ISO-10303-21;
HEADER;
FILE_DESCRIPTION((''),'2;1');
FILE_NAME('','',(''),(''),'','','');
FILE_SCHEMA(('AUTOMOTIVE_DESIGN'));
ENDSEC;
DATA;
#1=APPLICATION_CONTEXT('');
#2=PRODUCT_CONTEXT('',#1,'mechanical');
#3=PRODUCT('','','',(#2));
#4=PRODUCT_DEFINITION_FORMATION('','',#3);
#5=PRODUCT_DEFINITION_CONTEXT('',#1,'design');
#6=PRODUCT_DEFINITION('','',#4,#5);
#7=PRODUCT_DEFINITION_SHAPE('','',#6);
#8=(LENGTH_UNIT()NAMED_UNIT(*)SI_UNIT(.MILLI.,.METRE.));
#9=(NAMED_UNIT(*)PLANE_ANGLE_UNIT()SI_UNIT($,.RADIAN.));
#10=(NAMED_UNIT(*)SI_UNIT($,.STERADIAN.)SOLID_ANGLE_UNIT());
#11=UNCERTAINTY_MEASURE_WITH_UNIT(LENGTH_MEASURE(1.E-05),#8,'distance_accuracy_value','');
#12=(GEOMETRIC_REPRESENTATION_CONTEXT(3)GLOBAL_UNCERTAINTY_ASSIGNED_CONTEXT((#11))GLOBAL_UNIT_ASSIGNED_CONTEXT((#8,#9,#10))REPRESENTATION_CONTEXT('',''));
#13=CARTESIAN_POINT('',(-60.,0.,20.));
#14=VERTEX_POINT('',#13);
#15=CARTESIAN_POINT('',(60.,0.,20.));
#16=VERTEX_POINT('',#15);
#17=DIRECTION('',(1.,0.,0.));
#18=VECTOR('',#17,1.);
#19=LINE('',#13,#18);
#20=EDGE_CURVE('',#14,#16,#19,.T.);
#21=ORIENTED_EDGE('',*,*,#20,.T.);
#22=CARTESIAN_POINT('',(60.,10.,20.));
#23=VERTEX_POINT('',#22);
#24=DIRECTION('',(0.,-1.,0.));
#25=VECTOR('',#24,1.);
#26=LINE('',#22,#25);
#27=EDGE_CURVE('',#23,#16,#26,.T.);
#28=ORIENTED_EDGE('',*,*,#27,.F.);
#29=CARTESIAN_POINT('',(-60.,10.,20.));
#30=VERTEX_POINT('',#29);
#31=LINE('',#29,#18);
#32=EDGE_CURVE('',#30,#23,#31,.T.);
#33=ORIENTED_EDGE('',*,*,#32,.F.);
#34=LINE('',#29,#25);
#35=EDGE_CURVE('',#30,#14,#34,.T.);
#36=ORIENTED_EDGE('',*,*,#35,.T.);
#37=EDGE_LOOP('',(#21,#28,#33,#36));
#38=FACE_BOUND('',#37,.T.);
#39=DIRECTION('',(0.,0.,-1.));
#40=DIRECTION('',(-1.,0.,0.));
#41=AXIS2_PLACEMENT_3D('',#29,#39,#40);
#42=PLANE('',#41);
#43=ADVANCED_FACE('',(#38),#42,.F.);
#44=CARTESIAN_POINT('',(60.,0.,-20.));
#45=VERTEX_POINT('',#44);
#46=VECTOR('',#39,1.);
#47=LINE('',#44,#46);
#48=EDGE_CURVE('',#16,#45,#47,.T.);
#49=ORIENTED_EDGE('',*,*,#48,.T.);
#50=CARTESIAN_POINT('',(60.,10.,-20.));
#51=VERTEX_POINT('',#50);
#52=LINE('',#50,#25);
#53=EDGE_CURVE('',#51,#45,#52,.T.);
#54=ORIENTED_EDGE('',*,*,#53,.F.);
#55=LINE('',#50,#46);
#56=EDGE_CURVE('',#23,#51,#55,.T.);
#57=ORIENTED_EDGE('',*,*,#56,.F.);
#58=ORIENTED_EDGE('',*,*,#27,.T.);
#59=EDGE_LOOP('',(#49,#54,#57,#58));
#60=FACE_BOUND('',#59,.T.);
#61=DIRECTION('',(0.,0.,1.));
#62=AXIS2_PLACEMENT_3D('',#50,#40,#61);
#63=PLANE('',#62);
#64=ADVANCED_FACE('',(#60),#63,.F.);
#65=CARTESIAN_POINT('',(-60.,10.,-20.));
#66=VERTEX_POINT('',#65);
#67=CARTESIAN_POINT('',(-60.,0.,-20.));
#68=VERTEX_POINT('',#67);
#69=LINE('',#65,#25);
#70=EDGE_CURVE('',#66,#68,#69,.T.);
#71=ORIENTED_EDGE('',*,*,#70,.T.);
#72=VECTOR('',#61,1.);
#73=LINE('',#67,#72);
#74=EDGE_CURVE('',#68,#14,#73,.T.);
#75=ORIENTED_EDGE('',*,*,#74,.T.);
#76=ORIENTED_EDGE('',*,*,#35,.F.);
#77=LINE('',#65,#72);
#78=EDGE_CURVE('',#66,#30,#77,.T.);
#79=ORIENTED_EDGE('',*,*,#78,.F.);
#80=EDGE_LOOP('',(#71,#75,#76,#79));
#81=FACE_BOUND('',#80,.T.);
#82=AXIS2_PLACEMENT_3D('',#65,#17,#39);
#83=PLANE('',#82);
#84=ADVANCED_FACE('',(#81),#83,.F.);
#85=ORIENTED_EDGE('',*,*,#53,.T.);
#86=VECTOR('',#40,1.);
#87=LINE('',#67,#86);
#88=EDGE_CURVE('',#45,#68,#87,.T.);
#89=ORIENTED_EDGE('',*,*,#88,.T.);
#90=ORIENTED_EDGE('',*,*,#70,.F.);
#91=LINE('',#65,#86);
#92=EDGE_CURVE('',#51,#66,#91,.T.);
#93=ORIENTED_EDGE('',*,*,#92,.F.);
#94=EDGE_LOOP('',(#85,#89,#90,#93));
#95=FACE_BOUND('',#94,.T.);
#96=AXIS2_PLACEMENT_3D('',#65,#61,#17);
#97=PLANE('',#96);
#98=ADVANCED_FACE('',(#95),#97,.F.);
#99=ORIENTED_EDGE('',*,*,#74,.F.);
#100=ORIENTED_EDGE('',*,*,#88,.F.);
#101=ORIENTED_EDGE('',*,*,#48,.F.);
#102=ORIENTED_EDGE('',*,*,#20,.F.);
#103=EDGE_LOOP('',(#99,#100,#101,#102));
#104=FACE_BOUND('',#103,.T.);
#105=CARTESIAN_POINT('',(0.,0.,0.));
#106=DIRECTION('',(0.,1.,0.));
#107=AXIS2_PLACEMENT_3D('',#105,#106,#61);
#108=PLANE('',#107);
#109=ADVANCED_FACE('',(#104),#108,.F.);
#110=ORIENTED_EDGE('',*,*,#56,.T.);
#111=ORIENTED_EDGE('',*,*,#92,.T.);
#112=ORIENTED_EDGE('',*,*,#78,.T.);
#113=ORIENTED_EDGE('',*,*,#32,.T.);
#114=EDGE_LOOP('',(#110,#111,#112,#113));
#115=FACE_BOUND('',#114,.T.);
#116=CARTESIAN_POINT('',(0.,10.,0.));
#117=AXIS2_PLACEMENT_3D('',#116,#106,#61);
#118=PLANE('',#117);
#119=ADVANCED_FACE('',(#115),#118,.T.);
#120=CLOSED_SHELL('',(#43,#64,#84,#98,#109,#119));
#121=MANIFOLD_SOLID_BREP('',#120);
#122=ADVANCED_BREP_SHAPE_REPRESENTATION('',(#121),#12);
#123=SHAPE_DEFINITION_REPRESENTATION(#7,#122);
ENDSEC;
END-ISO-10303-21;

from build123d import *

# Parameters (mm, degrees)
SKETCH1_W           = 120
SKETCH1_H           = 40
BOSS_EXTRUDE1_DEPTH = 10


with BuildPart() as part:
    # Sketch1 → Boss-Extrude1 (new body)
    with BuildSketch(Plane(origin=(0, 0, 0), x_dir=(1, 0, 0), z_dir=(0, 1, 0))):
        Rectangle(SKETCH1_W, SKETCH1_H)
    extrude(amount=BOSS_EXTRUDE1_DEPTH)


solid = part.part
